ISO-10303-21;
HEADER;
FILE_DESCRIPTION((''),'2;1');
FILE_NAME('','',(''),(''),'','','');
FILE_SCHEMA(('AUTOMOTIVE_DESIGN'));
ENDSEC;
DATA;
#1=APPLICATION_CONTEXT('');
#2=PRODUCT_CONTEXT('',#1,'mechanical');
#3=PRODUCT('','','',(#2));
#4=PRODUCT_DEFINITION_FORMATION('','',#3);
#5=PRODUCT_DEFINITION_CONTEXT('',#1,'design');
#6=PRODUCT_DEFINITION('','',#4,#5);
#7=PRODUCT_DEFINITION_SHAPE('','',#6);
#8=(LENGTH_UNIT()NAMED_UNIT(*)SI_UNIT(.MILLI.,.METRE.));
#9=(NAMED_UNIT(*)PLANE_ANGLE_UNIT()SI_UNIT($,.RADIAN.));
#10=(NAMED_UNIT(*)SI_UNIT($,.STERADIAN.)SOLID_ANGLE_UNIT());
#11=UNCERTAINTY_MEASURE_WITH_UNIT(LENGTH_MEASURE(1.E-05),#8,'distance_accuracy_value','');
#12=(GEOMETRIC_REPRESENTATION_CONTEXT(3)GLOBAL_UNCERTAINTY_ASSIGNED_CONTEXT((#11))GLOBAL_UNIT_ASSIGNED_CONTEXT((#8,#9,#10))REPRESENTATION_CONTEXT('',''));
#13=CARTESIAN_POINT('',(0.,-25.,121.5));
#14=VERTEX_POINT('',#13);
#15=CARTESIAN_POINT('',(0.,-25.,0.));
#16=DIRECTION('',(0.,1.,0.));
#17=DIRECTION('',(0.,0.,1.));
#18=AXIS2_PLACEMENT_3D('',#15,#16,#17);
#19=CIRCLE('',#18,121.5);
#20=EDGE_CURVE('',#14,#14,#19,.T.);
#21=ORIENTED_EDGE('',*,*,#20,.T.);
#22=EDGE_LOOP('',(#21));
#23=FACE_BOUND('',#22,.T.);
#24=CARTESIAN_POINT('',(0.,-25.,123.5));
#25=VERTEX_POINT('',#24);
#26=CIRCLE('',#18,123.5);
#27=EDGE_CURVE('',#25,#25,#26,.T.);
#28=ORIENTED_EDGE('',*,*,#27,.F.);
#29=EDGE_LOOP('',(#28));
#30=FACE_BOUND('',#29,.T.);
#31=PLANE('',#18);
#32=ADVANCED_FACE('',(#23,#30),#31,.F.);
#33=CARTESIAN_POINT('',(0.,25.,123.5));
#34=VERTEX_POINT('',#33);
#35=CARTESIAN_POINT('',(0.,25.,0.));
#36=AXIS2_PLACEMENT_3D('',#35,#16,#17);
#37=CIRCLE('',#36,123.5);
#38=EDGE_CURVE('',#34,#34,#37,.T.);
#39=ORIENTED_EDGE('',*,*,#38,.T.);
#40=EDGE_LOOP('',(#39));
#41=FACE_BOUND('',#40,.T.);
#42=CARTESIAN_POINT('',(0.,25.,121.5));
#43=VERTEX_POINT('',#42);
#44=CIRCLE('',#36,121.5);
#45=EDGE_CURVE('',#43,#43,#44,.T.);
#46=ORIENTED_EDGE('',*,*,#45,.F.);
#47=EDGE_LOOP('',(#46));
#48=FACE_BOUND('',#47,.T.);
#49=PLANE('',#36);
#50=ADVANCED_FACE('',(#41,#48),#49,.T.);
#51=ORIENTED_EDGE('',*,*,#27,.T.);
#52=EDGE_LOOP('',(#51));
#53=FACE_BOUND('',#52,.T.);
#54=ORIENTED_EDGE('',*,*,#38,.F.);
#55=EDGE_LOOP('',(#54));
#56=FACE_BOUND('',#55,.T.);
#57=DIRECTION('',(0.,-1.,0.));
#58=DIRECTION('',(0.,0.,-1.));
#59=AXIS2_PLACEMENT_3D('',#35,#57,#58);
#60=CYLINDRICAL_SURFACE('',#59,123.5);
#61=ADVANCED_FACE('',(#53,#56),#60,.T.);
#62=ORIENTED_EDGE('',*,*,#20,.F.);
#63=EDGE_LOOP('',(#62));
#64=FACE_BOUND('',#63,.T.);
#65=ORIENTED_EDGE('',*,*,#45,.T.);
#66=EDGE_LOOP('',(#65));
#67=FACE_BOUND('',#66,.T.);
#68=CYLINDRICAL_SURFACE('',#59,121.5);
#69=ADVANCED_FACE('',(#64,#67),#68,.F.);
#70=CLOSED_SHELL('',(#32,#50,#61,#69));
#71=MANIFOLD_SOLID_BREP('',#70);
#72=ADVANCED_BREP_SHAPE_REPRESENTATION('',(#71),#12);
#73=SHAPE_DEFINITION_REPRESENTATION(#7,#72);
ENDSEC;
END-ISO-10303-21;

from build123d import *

# Parameters (mm, degrees)
SKETCH1_R           = 123.5
SKETCH1_R_2         = 121.5
BOSS_EXTRUDE1_DEPTH = 25


with BuildPart() as part:
    # Sketch1 → Boss-Extrude1 (new, symmetric)
    with BuildSketch(Plane(origin=(0, 0, 0), x_dir=(1, 0, 0), z_dir=(0, 1, 0))):
        with Locations(Location((0, 0, 0), (0, 0, 270))):
            Circle(SKETCH1_R)
        with Locations(Location((0, 0, 0), (0, 0, 270))):
            Circle(SKETCH1_R_2, mode=Mode.SUBTRACT)
    extrude(amount=BOSS_EXTRUDE1_DEPTH, both=True)


solid = part.part
